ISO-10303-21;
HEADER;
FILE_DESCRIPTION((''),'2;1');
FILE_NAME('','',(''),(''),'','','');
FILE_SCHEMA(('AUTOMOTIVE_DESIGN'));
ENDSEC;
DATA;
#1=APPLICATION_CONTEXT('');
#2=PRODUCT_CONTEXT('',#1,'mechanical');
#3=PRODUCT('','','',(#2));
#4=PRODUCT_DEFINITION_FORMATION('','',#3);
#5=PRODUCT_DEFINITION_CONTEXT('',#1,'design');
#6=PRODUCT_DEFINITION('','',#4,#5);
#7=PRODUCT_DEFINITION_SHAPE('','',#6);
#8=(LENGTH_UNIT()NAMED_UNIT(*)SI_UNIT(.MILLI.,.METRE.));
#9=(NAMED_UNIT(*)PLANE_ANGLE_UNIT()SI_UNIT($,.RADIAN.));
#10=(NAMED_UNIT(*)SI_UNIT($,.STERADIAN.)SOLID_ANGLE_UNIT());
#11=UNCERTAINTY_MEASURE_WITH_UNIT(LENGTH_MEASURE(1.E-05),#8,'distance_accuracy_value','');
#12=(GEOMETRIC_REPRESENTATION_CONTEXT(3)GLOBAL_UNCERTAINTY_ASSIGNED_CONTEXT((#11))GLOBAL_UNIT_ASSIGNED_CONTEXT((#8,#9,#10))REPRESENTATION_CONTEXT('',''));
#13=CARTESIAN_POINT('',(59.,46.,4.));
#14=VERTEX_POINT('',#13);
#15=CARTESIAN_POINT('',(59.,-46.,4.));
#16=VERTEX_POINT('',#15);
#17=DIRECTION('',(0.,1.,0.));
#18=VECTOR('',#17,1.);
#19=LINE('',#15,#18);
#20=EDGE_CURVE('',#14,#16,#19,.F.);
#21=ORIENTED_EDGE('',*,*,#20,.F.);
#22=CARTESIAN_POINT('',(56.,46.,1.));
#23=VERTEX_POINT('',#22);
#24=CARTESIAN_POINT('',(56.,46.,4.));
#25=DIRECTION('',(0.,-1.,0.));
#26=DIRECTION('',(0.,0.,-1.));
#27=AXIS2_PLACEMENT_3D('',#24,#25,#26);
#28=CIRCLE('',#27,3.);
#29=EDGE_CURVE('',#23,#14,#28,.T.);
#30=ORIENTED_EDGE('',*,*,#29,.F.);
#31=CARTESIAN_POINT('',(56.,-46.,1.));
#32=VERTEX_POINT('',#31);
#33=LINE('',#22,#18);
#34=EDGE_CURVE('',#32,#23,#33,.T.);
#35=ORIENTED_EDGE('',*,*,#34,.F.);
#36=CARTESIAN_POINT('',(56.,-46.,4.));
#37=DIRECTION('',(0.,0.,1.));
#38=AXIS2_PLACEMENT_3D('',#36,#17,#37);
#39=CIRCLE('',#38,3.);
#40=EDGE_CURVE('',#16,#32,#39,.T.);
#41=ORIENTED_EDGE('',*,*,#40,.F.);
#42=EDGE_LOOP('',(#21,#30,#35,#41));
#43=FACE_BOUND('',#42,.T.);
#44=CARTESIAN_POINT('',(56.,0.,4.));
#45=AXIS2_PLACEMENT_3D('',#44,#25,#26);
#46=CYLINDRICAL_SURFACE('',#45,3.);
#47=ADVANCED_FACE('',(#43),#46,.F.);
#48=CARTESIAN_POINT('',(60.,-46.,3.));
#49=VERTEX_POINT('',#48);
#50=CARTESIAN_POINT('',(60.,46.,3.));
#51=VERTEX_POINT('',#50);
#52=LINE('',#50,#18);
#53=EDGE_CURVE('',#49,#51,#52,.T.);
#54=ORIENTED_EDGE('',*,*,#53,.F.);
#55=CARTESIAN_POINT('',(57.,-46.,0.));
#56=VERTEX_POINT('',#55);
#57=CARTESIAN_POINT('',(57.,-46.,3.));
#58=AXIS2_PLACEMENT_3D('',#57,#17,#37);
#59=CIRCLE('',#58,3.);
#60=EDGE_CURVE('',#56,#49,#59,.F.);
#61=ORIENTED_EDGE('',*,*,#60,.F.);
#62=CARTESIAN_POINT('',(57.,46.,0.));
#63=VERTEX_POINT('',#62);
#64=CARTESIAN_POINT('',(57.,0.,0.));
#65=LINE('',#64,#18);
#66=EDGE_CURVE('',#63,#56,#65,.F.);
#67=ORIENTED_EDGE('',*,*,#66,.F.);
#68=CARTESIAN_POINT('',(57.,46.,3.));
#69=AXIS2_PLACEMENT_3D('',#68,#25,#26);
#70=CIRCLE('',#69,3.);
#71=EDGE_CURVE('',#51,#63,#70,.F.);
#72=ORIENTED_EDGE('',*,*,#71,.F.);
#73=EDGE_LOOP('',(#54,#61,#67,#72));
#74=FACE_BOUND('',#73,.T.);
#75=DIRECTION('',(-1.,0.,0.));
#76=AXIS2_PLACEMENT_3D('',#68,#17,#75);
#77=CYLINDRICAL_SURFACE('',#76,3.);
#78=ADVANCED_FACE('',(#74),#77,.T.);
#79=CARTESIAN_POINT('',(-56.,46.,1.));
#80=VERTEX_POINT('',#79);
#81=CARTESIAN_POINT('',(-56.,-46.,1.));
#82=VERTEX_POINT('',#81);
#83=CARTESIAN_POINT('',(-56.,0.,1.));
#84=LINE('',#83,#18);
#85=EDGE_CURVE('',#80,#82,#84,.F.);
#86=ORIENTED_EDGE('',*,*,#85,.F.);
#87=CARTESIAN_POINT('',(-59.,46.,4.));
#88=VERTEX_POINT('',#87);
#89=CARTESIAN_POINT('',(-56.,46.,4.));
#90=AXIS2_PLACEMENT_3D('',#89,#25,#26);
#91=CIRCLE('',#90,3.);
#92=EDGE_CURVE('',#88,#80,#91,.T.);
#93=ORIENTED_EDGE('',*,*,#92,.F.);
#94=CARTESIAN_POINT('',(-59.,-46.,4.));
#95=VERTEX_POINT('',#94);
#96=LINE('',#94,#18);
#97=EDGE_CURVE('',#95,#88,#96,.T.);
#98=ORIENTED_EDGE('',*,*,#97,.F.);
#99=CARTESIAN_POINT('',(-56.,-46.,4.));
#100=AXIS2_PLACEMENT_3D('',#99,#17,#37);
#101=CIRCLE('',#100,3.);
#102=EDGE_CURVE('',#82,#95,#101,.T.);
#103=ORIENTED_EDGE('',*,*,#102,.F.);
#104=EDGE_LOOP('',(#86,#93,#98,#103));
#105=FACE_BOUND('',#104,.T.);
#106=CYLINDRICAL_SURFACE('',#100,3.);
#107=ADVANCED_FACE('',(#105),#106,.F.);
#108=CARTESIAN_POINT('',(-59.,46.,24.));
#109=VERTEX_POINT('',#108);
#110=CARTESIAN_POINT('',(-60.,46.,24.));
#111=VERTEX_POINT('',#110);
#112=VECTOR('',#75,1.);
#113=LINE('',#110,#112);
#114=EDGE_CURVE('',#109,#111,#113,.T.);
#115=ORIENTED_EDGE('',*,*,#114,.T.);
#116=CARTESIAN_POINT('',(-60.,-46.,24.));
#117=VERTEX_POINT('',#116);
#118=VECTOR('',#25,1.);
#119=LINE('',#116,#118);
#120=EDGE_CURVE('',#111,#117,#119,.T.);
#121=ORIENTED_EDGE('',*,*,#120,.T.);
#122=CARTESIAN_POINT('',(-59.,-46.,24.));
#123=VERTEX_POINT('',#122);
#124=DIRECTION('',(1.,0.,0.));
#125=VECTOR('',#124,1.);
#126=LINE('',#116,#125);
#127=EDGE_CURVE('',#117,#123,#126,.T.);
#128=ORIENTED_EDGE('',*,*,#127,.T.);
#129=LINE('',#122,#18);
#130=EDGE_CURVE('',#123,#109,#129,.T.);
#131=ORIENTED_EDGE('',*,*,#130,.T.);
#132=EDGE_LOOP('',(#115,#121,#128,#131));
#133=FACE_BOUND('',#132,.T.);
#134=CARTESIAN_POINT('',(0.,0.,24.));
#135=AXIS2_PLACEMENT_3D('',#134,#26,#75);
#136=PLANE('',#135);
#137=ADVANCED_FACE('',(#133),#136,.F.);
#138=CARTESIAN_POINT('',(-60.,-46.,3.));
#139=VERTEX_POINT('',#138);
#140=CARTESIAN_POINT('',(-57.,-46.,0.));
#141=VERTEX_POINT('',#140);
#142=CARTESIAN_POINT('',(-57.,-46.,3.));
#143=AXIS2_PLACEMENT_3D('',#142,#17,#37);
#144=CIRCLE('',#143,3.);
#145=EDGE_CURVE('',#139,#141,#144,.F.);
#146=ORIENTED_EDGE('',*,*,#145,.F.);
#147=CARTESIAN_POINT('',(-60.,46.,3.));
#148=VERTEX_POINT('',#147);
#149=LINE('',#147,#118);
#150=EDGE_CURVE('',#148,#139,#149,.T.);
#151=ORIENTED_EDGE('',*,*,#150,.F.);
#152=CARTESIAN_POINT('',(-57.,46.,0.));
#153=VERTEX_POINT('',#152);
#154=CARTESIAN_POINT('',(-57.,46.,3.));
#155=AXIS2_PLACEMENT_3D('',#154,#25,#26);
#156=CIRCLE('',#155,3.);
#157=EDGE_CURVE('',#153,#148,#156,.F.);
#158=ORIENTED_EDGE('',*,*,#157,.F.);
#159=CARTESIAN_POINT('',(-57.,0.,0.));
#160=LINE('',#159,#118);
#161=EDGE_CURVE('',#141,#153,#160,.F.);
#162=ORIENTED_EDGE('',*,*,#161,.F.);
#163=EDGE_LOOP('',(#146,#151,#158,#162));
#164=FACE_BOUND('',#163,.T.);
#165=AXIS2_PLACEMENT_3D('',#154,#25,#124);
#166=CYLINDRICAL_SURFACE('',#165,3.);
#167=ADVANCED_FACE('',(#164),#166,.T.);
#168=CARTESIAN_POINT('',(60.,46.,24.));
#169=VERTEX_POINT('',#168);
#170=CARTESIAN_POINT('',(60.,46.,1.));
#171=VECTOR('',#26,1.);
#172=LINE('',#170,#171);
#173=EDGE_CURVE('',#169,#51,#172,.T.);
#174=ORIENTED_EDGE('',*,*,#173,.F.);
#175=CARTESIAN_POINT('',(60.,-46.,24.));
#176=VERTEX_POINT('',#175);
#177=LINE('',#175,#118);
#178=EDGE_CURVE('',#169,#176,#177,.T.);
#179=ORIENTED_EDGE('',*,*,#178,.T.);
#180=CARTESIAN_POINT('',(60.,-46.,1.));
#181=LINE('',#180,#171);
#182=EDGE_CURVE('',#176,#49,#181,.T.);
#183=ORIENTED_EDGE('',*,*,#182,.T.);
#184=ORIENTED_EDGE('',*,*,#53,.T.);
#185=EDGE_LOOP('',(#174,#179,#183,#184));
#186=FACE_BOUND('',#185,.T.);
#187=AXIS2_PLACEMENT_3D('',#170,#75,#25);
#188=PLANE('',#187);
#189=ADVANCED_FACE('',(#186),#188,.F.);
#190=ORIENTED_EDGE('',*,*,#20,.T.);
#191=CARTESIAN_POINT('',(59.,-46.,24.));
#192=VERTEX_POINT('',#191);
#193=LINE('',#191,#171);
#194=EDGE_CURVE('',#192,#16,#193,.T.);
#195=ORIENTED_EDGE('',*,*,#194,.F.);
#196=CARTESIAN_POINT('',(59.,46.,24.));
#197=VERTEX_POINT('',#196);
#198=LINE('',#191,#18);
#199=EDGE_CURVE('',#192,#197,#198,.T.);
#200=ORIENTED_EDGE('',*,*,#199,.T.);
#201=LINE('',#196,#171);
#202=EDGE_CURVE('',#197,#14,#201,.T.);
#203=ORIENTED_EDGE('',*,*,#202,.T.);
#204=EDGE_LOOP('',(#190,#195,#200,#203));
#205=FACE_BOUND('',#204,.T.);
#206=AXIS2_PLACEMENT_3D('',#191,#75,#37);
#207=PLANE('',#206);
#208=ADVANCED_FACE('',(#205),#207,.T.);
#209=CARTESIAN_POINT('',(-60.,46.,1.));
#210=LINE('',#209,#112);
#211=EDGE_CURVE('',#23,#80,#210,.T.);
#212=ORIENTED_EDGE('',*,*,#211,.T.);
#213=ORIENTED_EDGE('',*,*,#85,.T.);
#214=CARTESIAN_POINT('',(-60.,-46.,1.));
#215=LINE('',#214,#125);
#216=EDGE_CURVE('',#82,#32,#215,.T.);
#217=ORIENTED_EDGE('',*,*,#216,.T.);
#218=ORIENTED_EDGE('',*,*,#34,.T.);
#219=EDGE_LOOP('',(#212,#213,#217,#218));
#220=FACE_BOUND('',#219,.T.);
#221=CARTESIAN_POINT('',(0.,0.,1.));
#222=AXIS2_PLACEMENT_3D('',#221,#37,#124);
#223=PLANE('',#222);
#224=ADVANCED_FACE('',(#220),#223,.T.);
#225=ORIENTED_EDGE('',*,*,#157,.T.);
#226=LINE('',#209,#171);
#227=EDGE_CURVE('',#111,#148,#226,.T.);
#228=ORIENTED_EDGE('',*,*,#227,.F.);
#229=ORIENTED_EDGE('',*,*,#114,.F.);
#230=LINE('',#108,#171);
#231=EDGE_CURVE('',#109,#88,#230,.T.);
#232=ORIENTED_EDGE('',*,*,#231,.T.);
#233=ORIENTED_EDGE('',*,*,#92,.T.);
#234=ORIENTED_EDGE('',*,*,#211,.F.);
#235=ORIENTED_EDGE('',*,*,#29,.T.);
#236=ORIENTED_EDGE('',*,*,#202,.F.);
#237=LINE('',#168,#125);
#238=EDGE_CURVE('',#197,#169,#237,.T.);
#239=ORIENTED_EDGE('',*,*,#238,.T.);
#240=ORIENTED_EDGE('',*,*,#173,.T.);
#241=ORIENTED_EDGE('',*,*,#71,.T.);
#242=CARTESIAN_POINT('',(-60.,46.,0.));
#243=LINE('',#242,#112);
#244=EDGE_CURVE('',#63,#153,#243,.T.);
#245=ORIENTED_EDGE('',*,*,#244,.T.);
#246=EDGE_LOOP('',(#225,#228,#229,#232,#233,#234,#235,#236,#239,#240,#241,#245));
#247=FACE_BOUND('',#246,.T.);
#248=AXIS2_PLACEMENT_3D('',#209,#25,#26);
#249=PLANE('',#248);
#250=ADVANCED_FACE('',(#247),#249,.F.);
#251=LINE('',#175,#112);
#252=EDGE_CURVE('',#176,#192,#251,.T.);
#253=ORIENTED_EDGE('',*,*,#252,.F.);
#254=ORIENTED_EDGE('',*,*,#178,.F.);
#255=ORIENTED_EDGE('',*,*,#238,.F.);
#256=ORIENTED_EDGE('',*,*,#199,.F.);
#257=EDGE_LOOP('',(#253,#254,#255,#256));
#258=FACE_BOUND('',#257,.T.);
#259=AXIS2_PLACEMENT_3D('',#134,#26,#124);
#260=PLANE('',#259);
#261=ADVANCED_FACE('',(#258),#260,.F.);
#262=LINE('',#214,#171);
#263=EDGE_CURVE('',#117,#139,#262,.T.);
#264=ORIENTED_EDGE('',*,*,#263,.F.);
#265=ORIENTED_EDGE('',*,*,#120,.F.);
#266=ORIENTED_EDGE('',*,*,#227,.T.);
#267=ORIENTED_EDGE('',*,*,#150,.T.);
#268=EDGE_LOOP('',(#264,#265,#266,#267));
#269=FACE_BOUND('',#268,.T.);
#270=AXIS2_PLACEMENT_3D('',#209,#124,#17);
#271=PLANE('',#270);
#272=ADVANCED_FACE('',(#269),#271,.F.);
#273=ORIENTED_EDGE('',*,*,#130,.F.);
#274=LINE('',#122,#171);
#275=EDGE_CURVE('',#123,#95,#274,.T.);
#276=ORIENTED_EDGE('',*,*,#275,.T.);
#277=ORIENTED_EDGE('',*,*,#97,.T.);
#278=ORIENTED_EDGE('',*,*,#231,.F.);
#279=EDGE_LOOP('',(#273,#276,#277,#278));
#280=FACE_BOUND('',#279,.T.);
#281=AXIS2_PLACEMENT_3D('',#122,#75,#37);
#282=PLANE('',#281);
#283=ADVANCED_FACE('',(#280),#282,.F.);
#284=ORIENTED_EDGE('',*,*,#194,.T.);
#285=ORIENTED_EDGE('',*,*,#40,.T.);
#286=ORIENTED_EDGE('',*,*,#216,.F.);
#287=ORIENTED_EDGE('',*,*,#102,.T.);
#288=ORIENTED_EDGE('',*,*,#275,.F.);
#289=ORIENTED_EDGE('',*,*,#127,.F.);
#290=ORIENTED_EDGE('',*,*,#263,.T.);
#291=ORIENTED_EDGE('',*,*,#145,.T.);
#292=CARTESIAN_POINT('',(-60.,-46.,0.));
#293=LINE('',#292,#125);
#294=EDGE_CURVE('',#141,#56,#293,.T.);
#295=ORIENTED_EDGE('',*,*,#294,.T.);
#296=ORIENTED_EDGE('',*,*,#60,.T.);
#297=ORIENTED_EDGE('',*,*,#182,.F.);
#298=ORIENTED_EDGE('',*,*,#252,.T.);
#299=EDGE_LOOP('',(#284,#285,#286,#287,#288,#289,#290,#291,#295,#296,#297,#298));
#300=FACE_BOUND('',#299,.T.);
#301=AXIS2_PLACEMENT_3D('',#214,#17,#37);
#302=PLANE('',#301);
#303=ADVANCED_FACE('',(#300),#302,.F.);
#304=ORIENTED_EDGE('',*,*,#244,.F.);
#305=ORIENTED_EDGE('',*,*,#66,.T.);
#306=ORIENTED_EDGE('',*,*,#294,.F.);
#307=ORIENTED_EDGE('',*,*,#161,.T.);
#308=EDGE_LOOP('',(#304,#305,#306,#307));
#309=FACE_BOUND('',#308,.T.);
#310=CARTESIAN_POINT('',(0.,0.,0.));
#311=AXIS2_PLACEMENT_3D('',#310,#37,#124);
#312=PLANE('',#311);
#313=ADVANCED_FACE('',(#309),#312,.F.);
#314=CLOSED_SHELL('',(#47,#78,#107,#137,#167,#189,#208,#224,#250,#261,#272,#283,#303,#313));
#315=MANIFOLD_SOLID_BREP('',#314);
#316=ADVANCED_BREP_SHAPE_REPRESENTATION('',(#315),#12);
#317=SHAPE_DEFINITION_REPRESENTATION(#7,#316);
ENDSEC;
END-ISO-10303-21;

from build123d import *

# Parameters (mm, degrees)
SKETCH1_W           = 120
SKETCH1_H           = 92
BOSS_EXTRUDE1_DEPTH = 1
SKETCH2_W           = 1
SKETCH2_H           = 92
BOSS_EXTRUDE2_DEPTH = 23
FILLET1_R           = 3
FILLET2_R           = 3
FILLET3_R           = 3


with BuildPart() as part:
    # Sketch1 → Boss-Extrude1 (new body)
    with BuildSketch(Plane.XY):
        Rectangle(SKETCH1_W, SKETCH1_H)
    extrude(amount=BOSS_EXTRUDE1_DEPTH)

    # Sketch2 → Boss-Extrude2 (add)
    with BuildSketch(Plane.XY.offset(1)):
        with Locations((-59.5, 0)):
            Rectangle(SKETCH2_W, SKETCH2_H)
    boss_extrude2 = extrude(amount=BOSS_EXTRUDE2_DEPTH)

    # Fillet1
    fillet1_edges = [part.edges().sort_by_distance(p)[0] for p in [
        (-60, 0, 0),
    ]]
    fillet(fillet1_edges, radius=FILLET1_R)

    # Fillet2
    fillet2_edges = [part.edges().sort_by_distance(p)[0] for p in [
        (-59, 0, 1),
    ]]
    fillet(fillet2_edges, radius=FILLET2_R)

    # Mirror3: Boss-Extrude2 across plane
    add(boss_extrude2.mirror(Plane(origin=(0, 0, 0), x_dir=(0, 0, 1), z_dir=(1, 0, 0))))

    # Fillet3
    fillet3_edges = [part.edges().sort_by_distance(p)[0] for p in [
        (59, 0, 1),
        (60, 0, 0),
    ]]
    fillet(fillet3_edges, radius=FILLET3_R)


solid = part.part
